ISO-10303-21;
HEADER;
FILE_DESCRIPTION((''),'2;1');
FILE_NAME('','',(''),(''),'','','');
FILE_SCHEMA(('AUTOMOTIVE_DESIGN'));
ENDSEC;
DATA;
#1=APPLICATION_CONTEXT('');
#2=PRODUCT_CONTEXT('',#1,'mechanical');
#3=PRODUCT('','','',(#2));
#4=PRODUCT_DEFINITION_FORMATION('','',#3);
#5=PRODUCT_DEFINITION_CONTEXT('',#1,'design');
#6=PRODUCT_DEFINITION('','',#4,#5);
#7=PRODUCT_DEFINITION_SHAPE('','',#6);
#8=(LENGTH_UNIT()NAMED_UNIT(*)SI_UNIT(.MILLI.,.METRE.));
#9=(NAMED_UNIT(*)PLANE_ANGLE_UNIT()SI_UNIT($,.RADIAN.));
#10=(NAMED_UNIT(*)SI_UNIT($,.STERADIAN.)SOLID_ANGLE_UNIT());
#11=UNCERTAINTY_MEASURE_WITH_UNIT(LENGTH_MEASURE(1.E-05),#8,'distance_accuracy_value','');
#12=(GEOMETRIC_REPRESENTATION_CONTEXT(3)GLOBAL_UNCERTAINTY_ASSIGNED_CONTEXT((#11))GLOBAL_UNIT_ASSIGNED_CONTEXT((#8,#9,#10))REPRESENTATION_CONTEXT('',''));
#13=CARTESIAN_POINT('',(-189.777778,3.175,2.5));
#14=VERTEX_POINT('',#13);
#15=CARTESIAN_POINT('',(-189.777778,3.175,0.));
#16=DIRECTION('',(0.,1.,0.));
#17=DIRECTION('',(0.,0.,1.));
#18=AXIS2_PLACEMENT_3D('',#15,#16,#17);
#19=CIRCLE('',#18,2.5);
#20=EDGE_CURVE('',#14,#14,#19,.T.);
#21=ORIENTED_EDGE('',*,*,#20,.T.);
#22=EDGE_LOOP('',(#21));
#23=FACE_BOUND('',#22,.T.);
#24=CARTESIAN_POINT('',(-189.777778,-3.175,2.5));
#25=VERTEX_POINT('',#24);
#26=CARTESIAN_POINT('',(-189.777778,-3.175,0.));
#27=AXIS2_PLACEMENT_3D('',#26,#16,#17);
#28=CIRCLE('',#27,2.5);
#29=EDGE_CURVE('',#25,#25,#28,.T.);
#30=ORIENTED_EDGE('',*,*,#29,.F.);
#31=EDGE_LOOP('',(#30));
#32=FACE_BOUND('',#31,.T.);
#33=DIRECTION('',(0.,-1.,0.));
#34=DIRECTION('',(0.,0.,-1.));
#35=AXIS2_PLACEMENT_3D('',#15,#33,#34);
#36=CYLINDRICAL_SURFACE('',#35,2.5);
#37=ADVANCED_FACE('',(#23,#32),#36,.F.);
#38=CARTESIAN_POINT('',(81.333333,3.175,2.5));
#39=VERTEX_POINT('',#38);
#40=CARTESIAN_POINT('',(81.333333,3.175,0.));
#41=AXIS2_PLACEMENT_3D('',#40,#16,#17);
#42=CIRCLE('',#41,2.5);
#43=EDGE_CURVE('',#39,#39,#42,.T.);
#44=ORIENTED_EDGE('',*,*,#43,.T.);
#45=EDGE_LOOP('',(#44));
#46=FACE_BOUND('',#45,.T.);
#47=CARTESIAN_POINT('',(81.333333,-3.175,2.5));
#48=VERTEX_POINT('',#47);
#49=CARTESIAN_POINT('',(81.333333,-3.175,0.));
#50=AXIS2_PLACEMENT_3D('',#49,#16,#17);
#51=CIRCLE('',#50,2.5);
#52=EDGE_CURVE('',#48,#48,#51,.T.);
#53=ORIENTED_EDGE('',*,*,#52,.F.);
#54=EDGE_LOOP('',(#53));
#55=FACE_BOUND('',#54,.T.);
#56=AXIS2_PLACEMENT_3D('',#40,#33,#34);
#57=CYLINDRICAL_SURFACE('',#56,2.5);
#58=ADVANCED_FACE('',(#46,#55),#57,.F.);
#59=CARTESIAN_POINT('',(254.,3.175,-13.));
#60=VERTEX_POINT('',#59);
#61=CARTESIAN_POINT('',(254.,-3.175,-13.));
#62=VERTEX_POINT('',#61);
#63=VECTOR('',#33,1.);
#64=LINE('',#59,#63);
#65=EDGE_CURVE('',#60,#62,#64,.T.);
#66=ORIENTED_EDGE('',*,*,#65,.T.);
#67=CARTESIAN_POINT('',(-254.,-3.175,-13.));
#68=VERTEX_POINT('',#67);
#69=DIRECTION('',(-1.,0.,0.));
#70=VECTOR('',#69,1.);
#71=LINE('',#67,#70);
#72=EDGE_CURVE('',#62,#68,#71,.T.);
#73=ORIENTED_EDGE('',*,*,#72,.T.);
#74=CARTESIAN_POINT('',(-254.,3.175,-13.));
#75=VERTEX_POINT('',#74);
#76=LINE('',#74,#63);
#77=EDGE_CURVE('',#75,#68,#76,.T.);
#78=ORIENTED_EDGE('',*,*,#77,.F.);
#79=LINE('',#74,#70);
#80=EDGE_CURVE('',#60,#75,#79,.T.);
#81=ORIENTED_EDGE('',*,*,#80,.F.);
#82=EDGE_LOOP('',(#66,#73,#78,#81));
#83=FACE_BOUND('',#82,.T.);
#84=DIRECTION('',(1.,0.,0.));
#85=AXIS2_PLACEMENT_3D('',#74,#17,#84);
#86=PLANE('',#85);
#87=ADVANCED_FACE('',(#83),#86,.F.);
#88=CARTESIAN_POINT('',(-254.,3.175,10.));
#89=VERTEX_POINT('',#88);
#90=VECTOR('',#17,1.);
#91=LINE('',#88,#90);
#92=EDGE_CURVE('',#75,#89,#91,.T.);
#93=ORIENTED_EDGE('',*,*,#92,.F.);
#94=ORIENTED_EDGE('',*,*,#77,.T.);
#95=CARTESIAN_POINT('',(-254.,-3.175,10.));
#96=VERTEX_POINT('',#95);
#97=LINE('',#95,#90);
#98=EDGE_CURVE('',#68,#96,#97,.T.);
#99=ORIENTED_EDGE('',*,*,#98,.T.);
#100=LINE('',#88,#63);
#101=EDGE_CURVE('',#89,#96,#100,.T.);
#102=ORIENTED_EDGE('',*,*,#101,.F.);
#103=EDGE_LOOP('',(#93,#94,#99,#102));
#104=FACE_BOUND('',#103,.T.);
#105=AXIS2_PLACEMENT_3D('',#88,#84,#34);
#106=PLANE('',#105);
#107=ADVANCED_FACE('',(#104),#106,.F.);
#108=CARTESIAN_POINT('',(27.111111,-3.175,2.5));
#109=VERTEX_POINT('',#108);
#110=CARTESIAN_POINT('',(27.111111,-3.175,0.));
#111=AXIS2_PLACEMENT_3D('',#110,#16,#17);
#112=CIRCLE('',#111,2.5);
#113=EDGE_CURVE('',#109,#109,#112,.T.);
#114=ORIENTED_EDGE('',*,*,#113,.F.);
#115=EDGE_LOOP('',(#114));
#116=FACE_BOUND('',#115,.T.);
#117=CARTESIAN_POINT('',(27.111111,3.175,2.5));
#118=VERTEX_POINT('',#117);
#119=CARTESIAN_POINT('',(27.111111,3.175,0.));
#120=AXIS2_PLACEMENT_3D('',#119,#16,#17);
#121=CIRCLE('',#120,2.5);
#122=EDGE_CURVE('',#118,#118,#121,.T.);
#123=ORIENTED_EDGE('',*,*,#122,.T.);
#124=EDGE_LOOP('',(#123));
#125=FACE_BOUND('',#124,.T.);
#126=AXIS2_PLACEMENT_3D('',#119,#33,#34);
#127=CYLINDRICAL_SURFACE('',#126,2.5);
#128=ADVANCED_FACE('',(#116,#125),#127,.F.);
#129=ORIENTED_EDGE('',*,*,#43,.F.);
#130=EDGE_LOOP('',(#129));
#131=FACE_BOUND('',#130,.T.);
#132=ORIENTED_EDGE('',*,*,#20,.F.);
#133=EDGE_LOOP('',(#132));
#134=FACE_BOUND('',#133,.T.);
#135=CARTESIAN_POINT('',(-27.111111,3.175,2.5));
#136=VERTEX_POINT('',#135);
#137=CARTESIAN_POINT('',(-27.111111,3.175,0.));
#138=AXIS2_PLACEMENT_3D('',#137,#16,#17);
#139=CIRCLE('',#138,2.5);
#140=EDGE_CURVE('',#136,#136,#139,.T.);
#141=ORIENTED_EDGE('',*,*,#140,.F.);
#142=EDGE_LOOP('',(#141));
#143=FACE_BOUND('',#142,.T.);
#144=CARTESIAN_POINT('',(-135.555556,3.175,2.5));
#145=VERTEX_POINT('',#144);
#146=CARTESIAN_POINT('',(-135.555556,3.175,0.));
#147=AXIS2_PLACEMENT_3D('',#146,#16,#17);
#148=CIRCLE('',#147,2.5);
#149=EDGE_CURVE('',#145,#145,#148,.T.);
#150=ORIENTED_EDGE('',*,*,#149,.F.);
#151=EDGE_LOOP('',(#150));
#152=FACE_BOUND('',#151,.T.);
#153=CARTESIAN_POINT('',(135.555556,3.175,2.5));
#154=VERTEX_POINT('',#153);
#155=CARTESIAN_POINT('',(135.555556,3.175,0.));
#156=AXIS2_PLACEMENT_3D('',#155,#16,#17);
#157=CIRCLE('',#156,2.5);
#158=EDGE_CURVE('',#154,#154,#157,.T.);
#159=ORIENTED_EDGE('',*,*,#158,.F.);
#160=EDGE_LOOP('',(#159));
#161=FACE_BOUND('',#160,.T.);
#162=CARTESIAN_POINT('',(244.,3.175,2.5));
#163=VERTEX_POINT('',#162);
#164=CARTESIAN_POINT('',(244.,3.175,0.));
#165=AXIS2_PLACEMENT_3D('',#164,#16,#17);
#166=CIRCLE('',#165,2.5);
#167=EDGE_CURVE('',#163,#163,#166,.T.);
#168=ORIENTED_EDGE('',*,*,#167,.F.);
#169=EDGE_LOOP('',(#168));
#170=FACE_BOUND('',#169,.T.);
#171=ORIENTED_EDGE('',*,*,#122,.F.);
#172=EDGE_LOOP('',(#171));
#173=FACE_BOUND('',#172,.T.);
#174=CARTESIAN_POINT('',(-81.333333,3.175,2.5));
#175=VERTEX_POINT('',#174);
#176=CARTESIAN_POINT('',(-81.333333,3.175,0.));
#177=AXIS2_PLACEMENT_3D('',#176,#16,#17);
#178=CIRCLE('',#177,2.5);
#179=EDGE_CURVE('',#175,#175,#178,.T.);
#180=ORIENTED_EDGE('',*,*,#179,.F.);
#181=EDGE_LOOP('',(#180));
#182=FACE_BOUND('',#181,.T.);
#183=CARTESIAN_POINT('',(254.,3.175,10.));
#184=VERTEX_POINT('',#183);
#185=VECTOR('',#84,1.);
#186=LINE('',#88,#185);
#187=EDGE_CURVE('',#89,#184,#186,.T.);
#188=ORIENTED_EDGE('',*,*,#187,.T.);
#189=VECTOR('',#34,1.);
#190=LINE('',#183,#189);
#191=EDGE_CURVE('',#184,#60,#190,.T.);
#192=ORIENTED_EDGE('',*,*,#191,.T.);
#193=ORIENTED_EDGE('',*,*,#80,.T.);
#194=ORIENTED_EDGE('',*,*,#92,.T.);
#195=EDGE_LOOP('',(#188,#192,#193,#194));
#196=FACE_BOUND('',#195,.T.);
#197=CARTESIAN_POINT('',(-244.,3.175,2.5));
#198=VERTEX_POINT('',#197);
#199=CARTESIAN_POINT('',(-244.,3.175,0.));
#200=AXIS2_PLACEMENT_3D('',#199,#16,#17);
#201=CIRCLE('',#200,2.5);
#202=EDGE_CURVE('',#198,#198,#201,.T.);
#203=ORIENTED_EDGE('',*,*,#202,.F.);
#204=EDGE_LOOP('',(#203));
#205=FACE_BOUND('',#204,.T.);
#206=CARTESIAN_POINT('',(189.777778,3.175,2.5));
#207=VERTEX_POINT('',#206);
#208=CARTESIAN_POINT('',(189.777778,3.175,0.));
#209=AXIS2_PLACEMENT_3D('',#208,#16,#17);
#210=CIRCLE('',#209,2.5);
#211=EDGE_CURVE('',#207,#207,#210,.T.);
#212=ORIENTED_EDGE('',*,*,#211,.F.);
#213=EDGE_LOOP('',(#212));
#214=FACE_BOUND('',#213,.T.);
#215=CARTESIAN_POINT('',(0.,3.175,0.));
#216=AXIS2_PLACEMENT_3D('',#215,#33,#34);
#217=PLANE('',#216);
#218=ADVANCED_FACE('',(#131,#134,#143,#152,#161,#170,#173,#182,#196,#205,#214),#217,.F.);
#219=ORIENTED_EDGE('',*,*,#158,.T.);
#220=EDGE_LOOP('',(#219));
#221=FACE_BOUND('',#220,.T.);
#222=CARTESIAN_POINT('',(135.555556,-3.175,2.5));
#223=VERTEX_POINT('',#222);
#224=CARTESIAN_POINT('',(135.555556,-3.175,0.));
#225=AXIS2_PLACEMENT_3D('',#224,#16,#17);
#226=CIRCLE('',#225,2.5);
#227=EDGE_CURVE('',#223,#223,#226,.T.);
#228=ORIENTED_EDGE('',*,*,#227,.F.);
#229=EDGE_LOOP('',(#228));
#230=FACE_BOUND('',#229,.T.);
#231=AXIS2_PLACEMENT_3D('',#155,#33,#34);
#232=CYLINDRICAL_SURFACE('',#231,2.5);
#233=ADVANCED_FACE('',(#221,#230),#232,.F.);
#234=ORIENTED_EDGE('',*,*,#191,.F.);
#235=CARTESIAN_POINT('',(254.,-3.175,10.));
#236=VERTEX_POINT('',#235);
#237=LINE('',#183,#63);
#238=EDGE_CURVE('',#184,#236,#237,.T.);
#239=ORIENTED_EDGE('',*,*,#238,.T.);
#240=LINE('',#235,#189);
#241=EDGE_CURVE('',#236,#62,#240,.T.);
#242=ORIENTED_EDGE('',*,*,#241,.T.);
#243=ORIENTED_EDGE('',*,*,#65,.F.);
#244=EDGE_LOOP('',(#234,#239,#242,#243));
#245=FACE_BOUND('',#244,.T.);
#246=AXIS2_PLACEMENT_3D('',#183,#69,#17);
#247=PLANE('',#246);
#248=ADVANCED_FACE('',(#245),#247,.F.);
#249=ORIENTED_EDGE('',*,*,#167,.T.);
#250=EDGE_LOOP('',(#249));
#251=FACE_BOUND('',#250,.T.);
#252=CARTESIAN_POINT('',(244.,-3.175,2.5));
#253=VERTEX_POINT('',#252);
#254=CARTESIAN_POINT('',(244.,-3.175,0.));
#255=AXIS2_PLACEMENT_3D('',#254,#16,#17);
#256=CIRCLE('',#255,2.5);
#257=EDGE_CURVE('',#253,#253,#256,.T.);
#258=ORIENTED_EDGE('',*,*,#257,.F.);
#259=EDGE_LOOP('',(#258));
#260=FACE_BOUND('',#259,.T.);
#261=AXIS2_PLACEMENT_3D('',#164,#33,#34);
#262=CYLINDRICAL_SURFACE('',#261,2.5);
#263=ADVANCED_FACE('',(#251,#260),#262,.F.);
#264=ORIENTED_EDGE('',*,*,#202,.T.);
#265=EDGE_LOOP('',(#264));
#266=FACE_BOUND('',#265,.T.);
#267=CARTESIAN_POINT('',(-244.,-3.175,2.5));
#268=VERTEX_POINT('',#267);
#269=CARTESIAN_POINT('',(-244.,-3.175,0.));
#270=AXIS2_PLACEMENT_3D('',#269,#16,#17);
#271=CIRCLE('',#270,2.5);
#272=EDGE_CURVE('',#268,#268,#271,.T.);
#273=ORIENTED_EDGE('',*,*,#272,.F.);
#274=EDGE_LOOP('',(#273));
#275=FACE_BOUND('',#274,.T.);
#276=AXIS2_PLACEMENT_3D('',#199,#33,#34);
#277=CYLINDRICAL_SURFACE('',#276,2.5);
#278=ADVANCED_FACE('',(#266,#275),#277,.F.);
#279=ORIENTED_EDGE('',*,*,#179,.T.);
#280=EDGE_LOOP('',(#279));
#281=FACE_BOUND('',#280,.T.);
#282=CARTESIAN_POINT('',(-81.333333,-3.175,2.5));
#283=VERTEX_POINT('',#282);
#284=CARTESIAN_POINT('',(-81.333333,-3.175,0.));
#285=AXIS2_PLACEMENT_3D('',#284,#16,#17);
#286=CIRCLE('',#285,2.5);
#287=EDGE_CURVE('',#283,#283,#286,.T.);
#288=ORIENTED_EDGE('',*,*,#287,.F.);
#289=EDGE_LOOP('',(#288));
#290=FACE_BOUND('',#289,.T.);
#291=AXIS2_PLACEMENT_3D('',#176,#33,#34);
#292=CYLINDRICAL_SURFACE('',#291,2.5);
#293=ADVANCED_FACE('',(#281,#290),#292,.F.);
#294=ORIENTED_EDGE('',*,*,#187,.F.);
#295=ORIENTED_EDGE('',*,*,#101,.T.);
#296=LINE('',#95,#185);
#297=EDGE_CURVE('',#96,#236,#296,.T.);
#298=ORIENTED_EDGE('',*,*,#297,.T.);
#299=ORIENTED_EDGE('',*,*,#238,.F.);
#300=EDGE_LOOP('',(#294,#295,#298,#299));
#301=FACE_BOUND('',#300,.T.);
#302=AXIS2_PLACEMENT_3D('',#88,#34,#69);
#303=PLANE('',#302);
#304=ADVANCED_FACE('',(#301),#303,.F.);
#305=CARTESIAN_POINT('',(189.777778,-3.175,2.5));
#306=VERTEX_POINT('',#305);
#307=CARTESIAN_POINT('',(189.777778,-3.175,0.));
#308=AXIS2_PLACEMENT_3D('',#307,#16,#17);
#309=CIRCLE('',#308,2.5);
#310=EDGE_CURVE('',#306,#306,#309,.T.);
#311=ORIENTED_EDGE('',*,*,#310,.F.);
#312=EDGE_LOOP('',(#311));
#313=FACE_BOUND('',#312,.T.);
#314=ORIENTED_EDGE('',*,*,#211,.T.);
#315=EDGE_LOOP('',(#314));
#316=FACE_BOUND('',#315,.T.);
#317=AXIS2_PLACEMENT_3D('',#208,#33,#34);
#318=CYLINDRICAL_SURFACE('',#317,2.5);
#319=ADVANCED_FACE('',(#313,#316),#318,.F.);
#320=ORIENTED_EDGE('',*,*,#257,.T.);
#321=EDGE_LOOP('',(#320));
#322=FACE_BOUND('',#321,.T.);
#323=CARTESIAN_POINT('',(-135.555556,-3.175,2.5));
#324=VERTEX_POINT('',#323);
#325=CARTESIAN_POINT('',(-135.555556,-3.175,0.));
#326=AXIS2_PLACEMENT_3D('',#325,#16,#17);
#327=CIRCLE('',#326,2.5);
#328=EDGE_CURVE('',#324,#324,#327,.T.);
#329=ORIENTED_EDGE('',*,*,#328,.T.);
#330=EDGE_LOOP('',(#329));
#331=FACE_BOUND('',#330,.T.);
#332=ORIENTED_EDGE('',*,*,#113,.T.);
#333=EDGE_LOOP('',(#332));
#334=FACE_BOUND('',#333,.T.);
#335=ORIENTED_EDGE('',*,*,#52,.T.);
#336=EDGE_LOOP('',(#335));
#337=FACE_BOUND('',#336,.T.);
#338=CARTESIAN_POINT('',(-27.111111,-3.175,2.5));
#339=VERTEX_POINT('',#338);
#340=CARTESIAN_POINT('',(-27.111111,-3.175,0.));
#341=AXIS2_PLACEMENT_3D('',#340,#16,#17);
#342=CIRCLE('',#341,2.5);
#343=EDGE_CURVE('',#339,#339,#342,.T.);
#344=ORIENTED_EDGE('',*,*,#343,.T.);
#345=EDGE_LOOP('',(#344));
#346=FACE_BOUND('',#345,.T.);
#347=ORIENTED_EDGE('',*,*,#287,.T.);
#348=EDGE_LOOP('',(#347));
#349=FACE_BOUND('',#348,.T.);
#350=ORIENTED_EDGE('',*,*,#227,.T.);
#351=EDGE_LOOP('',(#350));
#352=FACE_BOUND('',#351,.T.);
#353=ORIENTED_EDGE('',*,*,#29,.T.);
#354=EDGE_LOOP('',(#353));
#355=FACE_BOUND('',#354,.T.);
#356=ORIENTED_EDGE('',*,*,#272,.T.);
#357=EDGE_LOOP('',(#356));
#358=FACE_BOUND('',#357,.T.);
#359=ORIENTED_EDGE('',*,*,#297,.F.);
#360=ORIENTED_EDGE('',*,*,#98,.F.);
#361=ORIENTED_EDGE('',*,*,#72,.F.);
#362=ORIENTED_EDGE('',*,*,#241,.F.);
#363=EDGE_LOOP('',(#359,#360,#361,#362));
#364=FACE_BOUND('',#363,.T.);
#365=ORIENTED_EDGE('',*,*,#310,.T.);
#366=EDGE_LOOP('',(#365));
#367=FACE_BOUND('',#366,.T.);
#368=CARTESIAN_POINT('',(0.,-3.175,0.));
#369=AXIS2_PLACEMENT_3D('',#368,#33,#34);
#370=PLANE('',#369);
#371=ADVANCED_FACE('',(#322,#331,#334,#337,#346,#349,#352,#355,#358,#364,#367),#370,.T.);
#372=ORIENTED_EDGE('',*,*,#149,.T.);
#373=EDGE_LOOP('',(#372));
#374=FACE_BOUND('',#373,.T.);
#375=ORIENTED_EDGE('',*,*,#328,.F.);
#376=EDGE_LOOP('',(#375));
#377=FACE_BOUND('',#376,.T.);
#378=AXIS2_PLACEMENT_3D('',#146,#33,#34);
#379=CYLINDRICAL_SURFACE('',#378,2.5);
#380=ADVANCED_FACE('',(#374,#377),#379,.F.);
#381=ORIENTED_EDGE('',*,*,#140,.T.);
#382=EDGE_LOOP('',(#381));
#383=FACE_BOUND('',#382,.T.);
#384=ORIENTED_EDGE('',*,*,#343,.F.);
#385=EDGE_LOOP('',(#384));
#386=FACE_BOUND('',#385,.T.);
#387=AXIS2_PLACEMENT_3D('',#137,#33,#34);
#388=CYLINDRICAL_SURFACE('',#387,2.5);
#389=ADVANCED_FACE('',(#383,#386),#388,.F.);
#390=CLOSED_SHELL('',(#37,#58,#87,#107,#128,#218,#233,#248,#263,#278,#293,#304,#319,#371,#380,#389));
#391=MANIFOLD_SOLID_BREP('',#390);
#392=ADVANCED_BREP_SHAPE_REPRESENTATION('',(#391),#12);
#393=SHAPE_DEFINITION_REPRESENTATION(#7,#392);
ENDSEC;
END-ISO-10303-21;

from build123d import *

# Parameters (mm, degrees)
SKETCH1_W           = 508
SKETCH1_H           = 23
SKETCH1_R           = 2.5
BOSS_EXTRUDE1_DEPTH = 3.175


with BuildPart() as part:
    # Sketch1 → Boss-Extrude1 (new, symmetric)
    with BuildSketch(Plane(origin=(0, 0, 0), x_dir=(1, 0, 0), z_dir=(0, 1, 0))):
        with Locations((0, 1.5)):
            Rectangle(SKETCH1_W, SKETCH1_H)
        with Locations(Location((-244, 0, 0), (0, 0, 270))):
            Circle(SKETCH1_R, mode=Mode.SUBTRACT)
        with Locations(Location((-189.777777778, 0, 0), (0, 0, 270))):
            Circle(SKETCH1_R, mode=Mode.SUBTRACT)
        with Locations(Location((-135.555555556, 0, 0), (0, 0, 270))):
            Circle(SKETCH1_R, mode=Mode.SUBTRACT)
        with Locations(Location((-81.333333333, 0, 0), (0, 0, 270))):
            Circle(SKETCH1_R, mode=Mode.SUBTRACT)
        with Locations(Location((-27.111111111, 0, 0), (0, 0, 270))):
            Circle(SKETCH1_R, mode=Mode.SUBTRACT)
        with Locations(Location((27.111111111, 0, 0), (0, 0, 270))):
            Circle(SKETCH1_R, mode=Mode.SUBTRACT)
        with Locations(Location((81.333333333, 0, 0), (0, 0, 270))):
            Circle(SKETCH1_R, mode=Mode.SUBTRACT)
        with Locations(Location((135.555555556, 0, 0), (0, 0, 270))):
            Circle(SKETCH1_R, mode=Mode.SUBTRACT)
        with Locations(Location((189.777777778, 0, 0), (0, 0, 270))):
            Circle(SKETCH1_R, mode=Mode.SUBTRACT)
        with Locations(Location((244, 0, 0), (0, 0, 270))):
            Circle(SKETCH1_R, mode=Mode.SUBTRACT)
    extrude(amount=BOSS_EXTRUDE1_DEPTH, both=True)


solid = part.part
